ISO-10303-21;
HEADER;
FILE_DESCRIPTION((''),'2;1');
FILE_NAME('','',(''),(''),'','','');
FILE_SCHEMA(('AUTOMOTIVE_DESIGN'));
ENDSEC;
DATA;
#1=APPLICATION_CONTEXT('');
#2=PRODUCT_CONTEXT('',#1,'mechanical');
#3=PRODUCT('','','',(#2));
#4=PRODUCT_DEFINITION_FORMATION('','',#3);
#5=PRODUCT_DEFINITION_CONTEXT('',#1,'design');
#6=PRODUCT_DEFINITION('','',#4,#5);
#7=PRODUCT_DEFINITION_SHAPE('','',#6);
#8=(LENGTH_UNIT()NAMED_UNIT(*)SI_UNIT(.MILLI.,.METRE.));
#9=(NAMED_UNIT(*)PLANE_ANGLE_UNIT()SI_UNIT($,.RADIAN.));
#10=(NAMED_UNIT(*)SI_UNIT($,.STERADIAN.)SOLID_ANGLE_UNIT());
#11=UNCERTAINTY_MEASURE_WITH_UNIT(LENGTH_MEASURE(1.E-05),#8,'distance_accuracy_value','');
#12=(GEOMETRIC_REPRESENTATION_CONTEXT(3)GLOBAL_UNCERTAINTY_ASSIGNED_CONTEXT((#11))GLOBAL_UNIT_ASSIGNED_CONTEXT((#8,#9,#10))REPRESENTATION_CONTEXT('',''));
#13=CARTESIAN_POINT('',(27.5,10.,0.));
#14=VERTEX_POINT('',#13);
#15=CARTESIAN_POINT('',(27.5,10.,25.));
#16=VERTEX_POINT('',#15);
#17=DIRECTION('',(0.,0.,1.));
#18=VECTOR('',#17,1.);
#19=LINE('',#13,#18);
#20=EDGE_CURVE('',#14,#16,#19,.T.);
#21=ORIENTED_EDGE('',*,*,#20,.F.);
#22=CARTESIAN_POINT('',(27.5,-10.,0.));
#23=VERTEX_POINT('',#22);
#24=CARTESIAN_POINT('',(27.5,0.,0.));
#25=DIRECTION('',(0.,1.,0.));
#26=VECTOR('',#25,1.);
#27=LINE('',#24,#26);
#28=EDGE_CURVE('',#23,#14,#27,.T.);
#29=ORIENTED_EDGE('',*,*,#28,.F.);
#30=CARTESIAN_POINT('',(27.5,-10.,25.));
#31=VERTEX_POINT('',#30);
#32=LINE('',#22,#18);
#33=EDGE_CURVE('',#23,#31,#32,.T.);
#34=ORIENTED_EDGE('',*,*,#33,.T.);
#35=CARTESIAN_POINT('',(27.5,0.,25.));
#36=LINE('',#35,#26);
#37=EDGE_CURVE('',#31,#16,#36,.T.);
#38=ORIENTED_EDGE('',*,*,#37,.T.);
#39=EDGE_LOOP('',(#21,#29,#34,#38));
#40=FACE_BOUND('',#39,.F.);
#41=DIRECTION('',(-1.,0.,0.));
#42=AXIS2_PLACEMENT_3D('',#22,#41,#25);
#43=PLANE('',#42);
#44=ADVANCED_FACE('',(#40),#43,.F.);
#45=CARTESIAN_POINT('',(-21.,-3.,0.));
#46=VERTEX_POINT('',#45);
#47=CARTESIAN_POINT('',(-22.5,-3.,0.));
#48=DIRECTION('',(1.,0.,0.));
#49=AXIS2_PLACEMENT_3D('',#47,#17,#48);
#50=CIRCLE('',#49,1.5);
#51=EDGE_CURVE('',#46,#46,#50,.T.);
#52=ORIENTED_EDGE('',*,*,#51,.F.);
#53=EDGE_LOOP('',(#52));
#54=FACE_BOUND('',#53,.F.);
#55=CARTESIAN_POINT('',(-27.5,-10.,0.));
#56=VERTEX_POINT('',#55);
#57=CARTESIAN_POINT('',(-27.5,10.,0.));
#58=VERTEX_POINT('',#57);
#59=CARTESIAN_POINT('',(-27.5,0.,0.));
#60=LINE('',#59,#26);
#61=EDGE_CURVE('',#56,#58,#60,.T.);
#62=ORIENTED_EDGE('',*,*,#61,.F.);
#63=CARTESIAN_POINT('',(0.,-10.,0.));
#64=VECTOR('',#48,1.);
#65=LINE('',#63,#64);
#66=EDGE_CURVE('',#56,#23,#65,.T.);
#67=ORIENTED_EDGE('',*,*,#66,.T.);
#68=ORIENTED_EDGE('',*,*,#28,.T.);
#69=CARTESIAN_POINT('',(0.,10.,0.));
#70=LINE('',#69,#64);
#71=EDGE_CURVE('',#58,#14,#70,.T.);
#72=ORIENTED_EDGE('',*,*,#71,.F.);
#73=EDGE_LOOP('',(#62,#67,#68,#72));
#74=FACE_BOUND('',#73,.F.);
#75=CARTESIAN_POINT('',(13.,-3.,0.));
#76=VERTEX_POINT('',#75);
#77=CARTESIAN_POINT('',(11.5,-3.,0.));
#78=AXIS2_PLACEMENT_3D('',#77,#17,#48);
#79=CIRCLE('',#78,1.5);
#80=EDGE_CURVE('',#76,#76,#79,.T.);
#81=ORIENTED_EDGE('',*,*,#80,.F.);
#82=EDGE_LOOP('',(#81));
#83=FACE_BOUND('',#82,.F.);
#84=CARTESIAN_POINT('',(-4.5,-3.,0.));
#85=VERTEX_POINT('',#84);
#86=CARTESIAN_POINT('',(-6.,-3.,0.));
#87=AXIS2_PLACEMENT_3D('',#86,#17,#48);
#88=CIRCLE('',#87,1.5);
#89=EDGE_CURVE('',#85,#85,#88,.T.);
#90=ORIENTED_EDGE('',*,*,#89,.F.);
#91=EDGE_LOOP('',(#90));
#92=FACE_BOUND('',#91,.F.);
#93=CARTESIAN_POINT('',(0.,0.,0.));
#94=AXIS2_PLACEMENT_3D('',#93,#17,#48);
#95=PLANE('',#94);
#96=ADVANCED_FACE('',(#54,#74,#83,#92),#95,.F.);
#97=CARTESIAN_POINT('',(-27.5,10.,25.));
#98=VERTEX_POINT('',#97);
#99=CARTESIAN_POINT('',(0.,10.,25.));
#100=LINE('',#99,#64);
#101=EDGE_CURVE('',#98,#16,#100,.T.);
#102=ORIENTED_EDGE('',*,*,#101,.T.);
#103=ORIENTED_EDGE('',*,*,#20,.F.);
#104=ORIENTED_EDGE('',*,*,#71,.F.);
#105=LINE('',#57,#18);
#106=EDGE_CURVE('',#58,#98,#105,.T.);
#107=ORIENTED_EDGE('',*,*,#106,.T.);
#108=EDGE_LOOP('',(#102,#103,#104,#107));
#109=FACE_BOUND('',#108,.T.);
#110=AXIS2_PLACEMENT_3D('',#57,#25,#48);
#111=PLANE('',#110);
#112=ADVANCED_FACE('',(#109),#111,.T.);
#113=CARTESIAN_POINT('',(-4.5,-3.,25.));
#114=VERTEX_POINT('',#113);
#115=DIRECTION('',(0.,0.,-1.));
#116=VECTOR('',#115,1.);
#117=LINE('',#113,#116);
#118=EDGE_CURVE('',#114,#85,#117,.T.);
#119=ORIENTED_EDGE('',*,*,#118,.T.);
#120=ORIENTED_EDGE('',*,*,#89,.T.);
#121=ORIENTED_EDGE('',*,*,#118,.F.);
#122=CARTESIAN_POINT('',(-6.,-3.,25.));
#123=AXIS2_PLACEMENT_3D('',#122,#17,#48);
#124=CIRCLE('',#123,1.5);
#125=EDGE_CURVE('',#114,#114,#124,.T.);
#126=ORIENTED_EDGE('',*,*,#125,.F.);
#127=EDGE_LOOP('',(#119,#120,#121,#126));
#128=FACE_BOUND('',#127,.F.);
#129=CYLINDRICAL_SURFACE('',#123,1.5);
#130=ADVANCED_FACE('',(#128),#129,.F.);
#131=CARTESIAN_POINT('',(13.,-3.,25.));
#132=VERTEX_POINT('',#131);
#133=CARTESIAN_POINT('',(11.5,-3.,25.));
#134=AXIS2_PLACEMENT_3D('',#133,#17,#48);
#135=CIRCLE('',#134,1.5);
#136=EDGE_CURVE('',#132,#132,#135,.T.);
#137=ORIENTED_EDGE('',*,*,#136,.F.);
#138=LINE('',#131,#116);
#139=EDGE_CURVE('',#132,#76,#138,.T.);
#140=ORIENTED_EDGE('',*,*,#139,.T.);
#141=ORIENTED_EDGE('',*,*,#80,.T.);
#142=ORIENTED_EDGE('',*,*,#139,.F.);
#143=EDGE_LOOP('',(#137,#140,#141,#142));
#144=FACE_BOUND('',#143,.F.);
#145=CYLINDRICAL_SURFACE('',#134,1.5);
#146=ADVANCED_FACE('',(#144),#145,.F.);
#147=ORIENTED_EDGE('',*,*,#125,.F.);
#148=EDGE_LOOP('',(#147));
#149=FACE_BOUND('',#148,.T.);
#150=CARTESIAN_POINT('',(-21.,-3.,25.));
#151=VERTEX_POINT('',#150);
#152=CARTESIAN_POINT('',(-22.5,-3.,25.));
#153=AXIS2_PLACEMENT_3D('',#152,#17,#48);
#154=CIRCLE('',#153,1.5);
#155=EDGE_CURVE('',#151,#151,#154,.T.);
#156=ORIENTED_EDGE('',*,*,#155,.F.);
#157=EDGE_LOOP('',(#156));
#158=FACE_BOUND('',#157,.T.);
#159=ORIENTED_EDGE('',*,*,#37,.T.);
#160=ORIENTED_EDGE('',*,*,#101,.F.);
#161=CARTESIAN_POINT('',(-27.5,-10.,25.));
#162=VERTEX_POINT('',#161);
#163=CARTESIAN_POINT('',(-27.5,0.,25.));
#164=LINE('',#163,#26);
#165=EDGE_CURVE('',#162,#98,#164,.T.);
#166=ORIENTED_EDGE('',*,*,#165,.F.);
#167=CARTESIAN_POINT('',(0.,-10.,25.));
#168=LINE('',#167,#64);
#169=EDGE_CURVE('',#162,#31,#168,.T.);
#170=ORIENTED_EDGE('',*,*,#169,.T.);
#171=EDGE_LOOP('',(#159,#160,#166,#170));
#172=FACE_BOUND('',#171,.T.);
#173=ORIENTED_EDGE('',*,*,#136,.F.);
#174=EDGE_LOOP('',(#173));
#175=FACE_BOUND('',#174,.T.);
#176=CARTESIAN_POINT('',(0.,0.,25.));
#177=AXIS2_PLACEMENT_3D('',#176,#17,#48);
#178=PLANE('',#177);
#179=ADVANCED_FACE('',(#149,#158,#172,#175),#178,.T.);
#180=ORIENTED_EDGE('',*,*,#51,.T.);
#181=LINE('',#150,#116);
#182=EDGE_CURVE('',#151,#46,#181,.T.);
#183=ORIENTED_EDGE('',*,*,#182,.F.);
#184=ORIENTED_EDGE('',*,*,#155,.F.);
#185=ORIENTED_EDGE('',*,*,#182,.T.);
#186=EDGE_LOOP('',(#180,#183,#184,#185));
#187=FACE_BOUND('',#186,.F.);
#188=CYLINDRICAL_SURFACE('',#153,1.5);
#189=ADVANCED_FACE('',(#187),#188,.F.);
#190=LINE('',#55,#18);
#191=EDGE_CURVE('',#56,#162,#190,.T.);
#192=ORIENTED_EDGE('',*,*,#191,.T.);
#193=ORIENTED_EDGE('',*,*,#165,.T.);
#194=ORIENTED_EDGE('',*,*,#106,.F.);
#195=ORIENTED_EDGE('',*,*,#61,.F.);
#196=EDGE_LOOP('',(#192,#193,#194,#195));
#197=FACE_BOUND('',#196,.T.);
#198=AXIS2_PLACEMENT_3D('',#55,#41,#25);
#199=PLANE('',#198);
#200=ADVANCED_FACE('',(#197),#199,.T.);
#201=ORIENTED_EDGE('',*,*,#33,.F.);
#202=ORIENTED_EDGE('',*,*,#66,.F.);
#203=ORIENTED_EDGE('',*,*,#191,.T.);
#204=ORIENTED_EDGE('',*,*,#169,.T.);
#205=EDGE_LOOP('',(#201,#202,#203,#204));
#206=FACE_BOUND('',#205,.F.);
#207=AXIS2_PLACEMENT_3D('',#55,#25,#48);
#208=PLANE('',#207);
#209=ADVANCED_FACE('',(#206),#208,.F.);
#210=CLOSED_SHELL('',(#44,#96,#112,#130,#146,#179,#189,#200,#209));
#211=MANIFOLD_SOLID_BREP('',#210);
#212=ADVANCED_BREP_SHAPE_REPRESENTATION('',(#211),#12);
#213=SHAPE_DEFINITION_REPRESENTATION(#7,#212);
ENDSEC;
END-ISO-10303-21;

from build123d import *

# Parameters (mm, degrees)
F0_W     = 55
F0_H     = 20
F1_DEPTH = 25
F2_R     = 1.5
F3_DEPTH = 25.001
F4_R     = 1.5
F5_DEPTH = 25.001
F6_R     = 1.5
F7_DEPTH = 25.001


with BuildPart() as f1:
    # F0 (on Top) → F1 (new body)
    with BuildSketch(Plane.XY):
        Rectangle(F0_W, F0_H)
    extrude(amount=F1_DEPTH)

    # F2 (on face) → F3 (cut, through all)
    with BuildSketch(Plane.XY.offset(25)):
        with Locations((-22.5, -3)):
            Circle(F2_R)
    extrude(amount=-F3_DEPTH, mode=Mode.SUBTRACT)

    # F4 (on face) → F5 (cut, through all)
    with BuildSketch(Plane.XY.offset(25)):
        with Locations((-6, -3)):
            Circle(F4_R)
    extrude(amount=-F5_DEPTH, mode=Mode.SUBTRACT)

    # F6 (on face) → F7 (cut, through all)
    with BuildSketch(Plane.XY.offset(25)):
        with Locations((11.5, -3)):
            Circle(F6_R)
    extrude(amount=-F7_DEPTH, mode=Mode.SUBTRACT)


solid = f1.part
